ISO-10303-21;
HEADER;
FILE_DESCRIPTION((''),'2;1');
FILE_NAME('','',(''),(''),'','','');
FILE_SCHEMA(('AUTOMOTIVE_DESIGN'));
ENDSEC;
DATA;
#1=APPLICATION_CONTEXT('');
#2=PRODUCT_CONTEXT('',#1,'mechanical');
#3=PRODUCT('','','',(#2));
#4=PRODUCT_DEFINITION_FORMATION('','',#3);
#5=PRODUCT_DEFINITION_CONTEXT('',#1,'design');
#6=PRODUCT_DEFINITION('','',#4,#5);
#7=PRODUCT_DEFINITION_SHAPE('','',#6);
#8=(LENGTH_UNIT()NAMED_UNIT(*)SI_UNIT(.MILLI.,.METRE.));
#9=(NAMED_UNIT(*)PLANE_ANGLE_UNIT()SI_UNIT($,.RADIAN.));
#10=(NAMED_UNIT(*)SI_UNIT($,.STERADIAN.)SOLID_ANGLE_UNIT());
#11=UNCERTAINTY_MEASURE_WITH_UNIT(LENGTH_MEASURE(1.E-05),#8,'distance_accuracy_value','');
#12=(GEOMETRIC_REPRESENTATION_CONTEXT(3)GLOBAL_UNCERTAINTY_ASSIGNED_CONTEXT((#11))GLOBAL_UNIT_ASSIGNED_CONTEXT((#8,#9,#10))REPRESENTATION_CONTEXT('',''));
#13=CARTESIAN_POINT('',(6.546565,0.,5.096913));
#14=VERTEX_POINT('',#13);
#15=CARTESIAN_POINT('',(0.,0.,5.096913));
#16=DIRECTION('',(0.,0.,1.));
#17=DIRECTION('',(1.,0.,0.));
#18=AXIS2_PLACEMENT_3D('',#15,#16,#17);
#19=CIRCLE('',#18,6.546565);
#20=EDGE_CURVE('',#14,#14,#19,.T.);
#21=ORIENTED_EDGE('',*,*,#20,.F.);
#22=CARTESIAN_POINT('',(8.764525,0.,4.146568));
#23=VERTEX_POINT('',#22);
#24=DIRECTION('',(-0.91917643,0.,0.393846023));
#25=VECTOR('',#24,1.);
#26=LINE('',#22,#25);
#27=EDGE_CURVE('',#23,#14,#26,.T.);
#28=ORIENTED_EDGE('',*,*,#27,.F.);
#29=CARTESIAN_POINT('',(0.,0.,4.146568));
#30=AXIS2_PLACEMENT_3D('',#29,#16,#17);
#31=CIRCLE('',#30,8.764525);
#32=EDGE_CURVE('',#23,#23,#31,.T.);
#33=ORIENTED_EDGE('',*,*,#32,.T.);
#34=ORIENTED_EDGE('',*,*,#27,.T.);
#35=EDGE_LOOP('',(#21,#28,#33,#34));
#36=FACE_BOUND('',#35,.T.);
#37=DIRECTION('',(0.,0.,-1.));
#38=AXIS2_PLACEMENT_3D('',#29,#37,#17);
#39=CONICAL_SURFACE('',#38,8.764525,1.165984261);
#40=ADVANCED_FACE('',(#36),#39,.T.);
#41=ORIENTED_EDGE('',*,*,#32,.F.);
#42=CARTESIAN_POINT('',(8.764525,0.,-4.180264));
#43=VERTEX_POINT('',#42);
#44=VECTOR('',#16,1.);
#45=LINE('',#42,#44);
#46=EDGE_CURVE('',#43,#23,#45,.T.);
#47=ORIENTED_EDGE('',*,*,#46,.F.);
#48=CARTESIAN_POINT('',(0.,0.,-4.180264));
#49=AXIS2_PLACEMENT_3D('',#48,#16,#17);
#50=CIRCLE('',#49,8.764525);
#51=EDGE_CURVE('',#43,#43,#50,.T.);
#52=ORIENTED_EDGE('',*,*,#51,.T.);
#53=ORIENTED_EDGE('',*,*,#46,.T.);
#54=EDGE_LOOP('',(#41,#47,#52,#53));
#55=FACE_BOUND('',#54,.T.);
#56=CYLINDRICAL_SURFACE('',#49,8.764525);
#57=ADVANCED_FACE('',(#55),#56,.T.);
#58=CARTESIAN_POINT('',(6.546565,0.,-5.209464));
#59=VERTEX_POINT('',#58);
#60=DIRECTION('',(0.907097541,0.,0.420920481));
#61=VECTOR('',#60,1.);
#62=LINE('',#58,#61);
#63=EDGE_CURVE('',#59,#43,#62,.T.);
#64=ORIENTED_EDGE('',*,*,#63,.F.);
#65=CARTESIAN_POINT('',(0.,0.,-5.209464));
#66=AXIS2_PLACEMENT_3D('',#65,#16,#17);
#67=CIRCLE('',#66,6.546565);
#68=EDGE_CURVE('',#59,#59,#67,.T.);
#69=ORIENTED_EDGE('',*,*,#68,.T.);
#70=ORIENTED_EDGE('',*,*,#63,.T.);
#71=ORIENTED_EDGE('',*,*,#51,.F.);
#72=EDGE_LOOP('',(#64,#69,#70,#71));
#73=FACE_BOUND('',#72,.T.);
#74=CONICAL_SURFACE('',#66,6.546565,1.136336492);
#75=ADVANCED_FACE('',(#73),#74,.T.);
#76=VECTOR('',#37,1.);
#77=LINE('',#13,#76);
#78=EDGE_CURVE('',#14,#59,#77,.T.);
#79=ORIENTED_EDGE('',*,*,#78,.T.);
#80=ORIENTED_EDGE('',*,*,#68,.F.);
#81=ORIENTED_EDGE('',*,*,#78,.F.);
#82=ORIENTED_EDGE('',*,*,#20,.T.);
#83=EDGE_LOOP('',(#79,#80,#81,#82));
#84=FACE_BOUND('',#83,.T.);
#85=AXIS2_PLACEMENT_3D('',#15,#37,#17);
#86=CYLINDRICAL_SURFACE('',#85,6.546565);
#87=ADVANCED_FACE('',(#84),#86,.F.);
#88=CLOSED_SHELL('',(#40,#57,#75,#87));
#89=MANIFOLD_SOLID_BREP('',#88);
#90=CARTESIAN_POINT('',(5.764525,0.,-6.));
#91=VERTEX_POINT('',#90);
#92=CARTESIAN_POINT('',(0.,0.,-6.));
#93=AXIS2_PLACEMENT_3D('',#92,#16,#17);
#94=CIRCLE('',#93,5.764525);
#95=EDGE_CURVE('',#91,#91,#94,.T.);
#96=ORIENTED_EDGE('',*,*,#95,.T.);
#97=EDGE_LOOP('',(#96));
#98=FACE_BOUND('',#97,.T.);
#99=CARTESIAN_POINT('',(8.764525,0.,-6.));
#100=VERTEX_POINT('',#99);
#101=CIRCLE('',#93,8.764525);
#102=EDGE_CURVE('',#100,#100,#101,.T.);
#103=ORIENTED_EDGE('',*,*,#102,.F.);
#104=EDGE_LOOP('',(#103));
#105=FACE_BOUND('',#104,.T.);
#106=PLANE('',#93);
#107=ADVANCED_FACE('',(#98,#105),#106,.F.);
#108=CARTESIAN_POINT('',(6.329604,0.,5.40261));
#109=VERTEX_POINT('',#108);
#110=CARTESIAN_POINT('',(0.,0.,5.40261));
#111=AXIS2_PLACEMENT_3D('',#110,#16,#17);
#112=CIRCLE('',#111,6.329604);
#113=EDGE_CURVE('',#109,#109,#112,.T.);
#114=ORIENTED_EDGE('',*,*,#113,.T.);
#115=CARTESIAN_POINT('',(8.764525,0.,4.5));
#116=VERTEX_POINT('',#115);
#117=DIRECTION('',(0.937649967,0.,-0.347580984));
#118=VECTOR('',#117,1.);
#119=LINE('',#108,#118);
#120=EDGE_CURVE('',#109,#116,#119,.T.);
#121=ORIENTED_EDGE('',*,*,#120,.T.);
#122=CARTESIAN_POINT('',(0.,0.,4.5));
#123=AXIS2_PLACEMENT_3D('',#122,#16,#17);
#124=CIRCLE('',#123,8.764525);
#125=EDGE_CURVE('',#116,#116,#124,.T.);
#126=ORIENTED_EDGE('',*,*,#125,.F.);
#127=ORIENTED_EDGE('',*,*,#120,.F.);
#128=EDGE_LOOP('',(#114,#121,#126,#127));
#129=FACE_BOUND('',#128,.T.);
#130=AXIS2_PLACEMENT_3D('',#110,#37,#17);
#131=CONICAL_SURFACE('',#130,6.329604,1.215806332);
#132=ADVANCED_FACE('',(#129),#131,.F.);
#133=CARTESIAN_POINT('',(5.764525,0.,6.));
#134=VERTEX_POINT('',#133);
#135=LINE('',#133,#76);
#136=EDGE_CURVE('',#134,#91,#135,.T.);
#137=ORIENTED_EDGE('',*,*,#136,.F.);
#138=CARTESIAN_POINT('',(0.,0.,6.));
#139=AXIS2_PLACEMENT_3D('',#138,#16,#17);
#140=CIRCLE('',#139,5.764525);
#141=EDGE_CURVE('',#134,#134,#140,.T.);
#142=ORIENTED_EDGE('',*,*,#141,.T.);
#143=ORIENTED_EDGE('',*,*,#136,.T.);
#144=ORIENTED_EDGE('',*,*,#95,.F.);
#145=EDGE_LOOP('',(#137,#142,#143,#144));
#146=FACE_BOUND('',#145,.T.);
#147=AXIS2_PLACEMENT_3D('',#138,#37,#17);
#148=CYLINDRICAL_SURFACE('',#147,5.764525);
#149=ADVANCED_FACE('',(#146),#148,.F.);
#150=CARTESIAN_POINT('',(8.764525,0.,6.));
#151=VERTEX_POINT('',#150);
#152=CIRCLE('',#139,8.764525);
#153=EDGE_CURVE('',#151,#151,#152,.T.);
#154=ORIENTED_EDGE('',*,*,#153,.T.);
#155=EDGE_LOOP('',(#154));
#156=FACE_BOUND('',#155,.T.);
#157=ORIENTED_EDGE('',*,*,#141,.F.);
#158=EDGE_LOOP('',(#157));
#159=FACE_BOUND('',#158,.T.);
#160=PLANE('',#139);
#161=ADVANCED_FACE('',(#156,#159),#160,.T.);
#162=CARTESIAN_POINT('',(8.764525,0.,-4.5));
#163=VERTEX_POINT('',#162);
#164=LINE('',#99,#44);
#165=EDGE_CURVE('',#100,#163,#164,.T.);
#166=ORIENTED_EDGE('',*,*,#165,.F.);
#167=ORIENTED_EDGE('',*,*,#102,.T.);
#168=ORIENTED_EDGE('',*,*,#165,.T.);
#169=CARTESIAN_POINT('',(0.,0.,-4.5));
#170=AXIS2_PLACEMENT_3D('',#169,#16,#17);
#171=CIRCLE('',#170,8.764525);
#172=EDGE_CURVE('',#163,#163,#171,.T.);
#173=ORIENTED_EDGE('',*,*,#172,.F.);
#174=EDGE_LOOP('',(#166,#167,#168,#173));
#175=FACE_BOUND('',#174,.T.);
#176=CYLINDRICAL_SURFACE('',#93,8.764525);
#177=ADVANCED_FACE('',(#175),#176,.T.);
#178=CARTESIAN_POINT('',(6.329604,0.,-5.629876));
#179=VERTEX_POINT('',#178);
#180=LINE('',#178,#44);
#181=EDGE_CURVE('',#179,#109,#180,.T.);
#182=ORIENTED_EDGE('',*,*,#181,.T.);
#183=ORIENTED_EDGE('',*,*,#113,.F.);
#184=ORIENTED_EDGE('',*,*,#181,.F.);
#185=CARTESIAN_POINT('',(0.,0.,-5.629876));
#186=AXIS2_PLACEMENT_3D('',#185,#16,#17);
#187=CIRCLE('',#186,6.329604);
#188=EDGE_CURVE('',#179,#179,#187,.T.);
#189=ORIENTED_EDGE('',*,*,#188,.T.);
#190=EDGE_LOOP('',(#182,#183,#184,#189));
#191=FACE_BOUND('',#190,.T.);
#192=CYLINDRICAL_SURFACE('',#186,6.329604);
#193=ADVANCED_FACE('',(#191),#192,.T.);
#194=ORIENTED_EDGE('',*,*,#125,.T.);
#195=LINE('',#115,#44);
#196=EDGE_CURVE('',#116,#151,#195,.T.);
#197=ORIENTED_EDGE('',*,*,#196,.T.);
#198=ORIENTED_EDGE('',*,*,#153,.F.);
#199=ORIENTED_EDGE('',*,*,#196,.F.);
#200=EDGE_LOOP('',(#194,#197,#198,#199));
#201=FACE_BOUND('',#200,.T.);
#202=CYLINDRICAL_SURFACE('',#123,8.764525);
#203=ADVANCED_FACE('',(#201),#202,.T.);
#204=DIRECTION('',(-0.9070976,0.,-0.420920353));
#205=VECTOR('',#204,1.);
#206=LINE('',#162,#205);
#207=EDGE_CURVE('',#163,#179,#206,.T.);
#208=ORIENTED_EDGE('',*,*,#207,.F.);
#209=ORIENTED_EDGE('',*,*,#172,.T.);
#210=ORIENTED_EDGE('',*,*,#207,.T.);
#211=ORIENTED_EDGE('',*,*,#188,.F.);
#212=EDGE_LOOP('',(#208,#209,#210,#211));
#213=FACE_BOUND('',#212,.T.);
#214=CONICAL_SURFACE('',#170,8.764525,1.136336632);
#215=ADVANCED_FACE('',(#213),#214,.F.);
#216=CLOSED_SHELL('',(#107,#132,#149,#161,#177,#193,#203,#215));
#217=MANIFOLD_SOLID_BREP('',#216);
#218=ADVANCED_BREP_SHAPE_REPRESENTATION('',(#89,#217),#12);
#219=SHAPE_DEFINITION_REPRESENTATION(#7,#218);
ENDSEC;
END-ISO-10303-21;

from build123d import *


with BuildPart() as f1:
    # F0 (on Front) → F1 (revolve)
    with BuildSketch(Plane.XZ):
        Polygon((5.764525, 6), (5.764525, 0), (5.764525, -6), (8.764525, -6), (8.764525, -4.5), (6.329604, -5.629876), (6.329604, 5.40261), (8.764525, 4.5), (8.764525, 6), align=None)
        Polygon((8.764525, -4.180264), (8.764525, 4.146568), (6.546565, 5.096913), (6.546565, -5.209464), align=None)
    revolve(axis=Axis((0, 0, 5.023252), (0, 0, 1)))


solid = f1.part
